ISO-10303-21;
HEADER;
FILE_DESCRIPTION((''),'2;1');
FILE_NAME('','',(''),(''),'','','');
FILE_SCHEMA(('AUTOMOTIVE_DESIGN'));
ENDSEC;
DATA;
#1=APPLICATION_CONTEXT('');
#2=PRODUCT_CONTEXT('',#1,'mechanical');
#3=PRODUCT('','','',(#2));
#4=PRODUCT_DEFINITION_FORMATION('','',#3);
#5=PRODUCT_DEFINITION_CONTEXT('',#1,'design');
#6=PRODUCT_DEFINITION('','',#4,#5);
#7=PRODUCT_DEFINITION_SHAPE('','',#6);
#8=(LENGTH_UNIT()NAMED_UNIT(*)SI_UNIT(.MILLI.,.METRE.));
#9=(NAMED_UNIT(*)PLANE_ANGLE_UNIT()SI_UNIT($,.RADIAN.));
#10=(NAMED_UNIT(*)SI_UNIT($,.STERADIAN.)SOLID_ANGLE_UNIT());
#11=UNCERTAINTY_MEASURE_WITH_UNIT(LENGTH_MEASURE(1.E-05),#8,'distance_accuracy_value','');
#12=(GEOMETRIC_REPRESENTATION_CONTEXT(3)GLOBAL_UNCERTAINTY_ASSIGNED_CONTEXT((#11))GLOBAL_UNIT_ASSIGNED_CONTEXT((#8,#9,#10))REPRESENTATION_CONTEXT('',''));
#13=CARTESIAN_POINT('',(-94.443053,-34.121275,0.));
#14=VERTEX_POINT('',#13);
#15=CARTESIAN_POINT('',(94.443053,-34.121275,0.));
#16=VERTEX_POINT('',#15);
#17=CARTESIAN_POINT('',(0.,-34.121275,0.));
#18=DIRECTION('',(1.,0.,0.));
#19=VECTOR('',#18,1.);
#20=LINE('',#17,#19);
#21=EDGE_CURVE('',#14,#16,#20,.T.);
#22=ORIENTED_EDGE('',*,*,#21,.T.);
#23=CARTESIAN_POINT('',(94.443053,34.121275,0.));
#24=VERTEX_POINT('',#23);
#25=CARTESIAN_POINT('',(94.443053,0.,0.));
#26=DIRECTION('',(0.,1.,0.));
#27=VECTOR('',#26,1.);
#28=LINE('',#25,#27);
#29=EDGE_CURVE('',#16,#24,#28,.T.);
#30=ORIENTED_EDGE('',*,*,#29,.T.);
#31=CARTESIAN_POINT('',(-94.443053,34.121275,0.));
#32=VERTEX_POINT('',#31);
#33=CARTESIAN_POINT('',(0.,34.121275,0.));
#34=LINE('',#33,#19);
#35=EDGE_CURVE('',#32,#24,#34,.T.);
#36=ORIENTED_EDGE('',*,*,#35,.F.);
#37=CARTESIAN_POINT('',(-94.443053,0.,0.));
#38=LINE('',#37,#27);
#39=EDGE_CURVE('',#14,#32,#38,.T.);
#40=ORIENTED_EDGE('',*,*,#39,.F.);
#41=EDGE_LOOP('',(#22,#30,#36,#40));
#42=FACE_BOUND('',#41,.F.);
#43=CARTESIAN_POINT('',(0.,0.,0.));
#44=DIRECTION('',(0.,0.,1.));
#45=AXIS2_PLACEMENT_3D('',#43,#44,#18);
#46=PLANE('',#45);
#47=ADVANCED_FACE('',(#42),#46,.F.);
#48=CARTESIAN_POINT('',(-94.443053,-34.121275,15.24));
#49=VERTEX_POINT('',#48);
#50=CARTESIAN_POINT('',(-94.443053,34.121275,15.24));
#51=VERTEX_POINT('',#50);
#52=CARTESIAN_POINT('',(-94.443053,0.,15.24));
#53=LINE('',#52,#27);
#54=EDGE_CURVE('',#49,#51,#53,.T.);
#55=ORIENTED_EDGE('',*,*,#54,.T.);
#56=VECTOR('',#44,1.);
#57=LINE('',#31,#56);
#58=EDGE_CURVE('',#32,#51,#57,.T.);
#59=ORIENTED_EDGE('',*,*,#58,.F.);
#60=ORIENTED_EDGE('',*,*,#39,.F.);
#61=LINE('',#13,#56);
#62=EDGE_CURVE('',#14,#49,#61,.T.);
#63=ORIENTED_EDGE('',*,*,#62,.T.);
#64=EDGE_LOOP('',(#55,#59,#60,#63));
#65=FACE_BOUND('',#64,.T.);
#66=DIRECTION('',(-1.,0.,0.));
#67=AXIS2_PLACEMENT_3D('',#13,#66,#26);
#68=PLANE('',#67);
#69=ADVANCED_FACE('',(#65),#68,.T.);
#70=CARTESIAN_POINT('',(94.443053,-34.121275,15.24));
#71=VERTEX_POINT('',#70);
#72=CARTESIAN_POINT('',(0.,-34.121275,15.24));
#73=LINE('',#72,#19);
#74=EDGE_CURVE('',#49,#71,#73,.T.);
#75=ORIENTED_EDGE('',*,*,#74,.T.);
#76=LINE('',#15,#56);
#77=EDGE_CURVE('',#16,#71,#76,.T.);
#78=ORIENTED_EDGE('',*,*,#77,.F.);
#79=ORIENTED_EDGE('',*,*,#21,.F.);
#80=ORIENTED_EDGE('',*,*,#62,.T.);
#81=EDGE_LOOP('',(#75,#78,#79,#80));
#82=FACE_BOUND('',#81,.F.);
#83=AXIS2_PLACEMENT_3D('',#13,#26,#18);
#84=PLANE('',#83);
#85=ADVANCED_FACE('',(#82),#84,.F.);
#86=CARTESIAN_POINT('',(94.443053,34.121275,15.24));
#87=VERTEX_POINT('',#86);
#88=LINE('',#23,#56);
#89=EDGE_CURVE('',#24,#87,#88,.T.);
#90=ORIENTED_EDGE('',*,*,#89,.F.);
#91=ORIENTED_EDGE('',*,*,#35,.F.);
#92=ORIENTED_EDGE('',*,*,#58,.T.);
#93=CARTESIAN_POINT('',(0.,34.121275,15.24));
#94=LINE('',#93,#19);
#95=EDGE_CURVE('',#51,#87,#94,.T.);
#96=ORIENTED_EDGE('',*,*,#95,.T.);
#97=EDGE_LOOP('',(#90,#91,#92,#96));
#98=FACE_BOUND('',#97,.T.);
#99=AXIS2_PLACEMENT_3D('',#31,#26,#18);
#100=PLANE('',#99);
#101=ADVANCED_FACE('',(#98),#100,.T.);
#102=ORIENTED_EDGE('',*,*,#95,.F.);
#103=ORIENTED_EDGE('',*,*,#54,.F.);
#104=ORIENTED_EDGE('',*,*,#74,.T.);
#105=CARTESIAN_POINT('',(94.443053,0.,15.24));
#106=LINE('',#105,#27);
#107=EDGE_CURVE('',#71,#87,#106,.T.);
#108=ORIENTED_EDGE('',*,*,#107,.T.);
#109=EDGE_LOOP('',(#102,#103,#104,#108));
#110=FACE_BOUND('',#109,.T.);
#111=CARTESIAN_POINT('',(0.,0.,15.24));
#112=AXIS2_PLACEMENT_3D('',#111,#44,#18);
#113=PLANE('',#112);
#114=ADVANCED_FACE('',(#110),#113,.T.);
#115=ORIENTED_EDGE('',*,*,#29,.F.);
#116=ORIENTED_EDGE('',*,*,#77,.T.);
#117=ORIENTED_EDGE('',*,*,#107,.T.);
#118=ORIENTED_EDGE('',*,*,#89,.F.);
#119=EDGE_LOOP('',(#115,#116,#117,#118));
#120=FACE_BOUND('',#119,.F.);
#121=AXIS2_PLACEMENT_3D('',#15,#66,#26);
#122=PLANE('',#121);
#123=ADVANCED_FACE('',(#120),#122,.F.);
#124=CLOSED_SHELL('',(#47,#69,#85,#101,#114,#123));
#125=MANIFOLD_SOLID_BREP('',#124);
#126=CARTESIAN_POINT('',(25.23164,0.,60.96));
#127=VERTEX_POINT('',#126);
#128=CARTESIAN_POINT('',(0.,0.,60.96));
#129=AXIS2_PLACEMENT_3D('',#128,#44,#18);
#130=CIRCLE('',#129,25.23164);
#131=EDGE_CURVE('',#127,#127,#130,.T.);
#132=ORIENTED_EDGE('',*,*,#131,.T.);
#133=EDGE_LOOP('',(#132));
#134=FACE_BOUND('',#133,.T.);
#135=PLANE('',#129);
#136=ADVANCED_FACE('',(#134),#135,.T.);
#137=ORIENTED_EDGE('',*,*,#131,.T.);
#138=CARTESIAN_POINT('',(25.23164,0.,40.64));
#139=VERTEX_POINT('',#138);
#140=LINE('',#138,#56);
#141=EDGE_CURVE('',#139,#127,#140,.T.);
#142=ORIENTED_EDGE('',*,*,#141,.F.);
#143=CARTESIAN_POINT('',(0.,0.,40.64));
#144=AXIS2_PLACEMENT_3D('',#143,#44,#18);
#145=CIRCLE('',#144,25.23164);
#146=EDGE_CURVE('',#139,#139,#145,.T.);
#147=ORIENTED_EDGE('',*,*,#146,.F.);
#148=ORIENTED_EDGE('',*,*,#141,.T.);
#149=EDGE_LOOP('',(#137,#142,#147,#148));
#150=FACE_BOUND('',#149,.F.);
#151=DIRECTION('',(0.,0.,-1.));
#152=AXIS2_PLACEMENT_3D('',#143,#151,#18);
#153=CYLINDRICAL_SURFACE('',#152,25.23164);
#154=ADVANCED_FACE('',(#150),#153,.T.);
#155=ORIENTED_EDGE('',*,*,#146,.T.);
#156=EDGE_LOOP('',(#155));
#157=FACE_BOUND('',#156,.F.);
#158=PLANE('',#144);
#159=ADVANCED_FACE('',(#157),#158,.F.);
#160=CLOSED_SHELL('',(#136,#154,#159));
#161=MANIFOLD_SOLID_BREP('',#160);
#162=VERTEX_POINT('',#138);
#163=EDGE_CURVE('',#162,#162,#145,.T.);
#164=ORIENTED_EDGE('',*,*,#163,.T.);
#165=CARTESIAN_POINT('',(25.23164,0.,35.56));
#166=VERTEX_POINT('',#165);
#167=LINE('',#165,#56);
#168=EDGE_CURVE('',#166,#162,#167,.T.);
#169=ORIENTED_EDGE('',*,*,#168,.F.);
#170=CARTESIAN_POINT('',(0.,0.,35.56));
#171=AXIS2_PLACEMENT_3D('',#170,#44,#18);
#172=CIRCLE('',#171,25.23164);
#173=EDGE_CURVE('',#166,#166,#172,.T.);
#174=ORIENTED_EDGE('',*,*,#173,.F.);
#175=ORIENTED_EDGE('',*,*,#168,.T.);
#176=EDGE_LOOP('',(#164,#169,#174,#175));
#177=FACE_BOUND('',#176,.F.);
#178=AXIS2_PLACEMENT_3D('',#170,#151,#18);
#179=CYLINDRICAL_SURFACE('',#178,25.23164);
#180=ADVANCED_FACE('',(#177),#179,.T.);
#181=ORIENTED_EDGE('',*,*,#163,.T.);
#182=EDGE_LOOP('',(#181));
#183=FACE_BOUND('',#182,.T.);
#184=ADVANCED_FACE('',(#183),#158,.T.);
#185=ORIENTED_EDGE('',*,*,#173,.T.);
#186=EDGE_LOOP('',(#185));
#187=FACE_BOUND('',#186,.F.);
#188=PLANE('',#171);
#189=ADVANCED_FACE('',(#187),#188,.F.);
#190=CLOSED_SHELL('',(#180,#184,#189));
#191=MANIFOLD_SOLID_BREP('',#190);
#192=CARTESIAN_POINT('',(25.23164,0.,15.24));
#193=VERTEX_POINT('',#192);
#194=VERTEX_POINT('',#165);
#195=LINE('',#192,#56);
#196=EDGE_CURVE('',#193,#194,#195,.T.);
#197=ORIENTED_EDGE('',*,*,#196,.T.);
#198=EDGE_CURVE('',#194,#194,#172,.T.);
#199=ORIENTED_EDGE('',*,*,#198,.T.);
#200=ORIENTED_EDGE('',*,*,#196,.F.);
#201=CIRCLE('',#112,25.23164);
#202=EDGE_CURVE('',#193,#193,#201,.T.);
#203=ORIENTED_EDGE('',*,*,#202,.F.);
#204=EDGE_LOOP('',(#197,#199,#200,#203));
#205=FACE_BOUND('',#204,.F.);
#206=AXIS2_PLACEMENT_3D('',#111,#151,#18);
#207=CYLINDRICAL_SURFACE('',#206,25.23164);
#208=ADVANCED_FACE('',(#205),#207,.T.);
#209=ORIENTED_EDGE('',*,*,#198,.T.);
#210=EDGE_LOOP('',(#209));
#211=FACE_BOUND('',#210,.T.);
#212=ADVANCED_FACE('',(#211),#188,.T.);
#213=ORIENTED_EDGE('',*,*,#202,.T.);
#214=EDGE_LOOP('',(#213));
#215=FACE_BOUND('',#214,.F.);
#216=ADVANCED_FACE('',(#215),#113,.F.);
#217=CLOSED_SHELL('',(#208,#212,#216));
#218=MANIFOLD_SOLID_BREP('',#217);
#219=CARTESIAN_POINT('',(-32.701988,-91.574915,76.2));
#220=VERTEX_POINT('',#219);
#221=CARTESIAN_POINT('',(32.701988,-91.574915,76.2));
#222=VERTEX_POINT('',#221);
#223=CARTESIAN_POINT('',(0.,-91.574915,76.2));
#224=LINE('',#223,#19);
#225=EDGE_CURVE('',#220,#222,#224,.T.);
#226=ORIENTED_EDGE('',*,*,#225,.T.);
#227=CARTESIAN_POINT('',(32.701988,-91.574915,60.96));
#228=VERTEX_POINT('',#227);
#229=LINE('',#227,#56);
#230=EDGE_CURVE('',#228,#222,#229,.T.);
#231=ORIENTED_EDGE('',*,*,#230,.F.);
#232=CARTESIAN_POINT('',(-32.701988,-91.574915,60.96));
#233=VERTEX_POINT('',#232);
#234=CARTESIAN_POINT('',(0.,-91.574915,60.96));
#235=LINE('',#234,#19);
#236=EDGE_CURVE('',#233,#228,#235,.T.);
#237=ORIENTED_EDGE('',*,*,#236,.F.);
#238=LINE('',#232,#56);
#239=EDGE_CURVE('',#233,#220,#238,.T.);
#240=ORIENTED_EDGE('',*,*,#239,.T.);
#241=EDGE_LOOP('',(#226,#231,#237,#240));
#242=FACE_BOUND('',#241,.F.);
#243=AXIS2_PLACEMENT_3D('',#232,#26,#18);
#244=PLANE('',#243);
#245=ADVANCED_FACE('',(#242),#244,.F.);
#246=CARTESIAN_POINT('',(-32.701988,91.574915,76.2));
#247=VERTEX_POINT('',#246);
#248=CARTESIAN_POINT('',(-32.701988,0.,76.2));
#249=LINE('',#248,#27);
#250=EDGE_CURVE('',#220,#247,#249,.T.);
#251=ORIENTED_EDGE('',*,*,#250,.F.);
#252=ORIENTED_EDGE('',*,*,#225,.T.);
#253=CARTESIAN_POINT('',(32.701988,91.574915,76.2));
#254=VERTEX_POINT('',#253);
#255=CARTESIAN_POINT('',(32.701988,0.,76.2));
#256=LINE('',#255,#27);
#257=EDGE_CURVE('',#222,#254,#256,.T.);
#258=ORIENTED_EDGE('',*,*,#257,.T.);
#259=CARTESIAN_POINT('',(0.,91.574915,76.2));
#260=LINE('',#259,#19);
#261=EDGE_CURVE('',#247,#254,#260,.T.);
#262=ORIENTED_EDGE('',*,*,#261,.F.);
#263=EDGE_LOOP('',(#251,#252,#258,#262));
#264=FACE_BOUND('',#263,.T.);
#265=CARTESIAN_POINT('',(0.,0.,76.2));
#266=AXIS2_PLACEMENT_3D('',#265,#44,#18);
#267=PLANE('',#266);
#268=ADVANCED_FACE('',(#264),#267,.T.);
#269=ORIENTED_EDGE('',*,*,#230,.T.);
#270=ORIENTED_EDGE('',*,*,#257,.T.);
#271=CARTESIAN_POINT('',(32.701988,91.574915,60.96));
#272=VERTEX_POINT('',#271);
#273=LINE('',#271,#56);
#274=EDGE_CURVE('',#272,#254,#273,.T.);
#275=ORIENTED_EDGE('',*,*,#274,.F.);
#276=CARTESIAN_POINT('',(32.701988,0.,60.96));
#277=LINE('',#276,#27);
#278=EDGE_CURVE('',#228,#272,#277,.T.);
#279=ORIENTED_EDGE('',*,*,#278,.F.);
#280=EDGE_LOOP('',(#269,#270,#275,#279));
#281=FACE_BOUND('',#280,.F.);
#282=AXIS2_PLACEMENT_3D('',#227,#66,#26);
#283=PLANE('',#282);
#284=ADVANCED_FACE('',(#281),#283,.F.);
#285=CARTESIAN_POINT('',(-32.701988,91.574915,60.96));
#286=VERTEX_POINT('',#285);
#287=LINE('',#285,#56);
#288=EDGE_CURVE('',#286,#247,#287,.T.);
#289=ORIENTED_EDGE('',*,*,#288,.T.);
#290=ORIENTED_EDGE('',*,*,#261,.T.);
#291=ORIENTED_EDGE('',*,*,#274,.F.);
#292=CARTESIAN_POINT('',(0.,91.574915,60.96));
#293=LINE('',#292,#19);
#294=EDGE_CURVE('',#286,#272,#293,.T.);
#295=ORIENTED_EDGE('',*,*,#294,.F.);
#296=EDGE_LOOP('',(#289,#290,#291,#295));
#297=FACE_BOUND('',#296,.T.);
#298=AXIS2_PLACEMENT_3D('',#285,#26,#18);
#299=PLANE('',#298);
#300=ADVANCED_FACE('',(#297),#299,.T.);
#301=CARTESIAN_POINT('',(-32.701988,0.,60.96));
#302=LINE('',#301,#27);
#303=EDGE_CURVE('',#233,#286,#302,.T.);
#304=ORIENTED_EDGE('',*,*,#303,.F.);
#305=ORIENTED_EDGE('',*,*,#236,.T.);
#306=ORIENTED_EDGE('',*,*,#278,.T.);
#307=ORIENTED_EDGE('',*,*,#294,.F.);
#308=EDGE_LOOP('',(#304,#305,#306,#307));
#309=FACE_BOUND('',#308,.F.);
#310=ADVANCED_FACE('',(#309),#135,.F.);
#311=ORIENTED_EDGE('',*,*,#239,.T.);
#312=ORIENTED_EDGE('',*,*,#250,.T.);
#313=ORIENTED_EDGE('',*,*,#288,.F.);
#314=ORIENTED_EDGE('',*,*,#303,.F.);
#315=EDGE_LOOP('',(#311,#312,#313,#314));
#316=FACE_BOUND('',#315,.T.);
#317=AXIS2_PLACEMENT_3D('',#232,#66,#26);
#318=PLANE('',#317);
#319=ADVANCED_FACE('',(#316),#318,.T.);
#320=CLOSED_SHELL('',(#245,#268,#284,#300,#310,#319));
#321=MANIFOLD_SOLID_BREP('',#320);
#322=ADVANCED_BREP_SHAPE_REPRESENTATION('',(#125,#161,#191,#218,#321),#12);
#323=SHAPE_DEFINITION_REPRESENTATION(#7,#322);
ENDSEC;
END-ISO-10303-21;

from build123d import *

# Parameters (mm, degrees)
F0_W     = 188.8861060143
F0_H     = 68.2425498962
F1_DEPTH = 15.24
F2_R     = 25.231639978
F3_DEPTH = 20.32
F4_DEPTH = 5.08
F5_DEPTH = 20.32
F6_W     = 65.4039755464
F6_H     = 183.1498295069
F7_DEPTH = 15.24


with BuildPart() as f1:
    # F0 (on Top) → F1 (new body)
    with BuildSketch(Plane.XY):
        Rectangle(F0_W, F0_H)
    extrude(amount=F1_DEPTH)


with BuildPart() as f3:
    # F2 (on face) → F3 (new body)
    with BuildSketch(Plane.XY.offset(15.24)):
        Circle(F2_R)
    extrude(amount=F3_DEPTH)


with BuildPart() as f4:
    # F4 (new): a face of the model
    f4_faces = [f3.part.faces().sort_by_distance(p)[0] for p in [
        (0, 0, 35.56),
    ]]
    extrude(f4_faces, amount=F4_DEPTH)


with BuildPart() as f5:
    # F5 (new): a face of the model
    f5_faces = [f4.part.faces().sort_by_distance(p)[0] for p in [
        (0, 0, 40.64),
    ]]
    extrude(f5_faces, amount=F5_DEPTH)


with BuildPart() as f7:
    # F6 (on face) → F7 (new body)
    with BuildSketch(Plane.XY.offset(60.96)):
        Rectangle(F6_W, F6_H)
    extrude(amount=F7_DEPTH)


solid = Compound([f1.part, f3.part, f4.part, f5.part, f7.part])
